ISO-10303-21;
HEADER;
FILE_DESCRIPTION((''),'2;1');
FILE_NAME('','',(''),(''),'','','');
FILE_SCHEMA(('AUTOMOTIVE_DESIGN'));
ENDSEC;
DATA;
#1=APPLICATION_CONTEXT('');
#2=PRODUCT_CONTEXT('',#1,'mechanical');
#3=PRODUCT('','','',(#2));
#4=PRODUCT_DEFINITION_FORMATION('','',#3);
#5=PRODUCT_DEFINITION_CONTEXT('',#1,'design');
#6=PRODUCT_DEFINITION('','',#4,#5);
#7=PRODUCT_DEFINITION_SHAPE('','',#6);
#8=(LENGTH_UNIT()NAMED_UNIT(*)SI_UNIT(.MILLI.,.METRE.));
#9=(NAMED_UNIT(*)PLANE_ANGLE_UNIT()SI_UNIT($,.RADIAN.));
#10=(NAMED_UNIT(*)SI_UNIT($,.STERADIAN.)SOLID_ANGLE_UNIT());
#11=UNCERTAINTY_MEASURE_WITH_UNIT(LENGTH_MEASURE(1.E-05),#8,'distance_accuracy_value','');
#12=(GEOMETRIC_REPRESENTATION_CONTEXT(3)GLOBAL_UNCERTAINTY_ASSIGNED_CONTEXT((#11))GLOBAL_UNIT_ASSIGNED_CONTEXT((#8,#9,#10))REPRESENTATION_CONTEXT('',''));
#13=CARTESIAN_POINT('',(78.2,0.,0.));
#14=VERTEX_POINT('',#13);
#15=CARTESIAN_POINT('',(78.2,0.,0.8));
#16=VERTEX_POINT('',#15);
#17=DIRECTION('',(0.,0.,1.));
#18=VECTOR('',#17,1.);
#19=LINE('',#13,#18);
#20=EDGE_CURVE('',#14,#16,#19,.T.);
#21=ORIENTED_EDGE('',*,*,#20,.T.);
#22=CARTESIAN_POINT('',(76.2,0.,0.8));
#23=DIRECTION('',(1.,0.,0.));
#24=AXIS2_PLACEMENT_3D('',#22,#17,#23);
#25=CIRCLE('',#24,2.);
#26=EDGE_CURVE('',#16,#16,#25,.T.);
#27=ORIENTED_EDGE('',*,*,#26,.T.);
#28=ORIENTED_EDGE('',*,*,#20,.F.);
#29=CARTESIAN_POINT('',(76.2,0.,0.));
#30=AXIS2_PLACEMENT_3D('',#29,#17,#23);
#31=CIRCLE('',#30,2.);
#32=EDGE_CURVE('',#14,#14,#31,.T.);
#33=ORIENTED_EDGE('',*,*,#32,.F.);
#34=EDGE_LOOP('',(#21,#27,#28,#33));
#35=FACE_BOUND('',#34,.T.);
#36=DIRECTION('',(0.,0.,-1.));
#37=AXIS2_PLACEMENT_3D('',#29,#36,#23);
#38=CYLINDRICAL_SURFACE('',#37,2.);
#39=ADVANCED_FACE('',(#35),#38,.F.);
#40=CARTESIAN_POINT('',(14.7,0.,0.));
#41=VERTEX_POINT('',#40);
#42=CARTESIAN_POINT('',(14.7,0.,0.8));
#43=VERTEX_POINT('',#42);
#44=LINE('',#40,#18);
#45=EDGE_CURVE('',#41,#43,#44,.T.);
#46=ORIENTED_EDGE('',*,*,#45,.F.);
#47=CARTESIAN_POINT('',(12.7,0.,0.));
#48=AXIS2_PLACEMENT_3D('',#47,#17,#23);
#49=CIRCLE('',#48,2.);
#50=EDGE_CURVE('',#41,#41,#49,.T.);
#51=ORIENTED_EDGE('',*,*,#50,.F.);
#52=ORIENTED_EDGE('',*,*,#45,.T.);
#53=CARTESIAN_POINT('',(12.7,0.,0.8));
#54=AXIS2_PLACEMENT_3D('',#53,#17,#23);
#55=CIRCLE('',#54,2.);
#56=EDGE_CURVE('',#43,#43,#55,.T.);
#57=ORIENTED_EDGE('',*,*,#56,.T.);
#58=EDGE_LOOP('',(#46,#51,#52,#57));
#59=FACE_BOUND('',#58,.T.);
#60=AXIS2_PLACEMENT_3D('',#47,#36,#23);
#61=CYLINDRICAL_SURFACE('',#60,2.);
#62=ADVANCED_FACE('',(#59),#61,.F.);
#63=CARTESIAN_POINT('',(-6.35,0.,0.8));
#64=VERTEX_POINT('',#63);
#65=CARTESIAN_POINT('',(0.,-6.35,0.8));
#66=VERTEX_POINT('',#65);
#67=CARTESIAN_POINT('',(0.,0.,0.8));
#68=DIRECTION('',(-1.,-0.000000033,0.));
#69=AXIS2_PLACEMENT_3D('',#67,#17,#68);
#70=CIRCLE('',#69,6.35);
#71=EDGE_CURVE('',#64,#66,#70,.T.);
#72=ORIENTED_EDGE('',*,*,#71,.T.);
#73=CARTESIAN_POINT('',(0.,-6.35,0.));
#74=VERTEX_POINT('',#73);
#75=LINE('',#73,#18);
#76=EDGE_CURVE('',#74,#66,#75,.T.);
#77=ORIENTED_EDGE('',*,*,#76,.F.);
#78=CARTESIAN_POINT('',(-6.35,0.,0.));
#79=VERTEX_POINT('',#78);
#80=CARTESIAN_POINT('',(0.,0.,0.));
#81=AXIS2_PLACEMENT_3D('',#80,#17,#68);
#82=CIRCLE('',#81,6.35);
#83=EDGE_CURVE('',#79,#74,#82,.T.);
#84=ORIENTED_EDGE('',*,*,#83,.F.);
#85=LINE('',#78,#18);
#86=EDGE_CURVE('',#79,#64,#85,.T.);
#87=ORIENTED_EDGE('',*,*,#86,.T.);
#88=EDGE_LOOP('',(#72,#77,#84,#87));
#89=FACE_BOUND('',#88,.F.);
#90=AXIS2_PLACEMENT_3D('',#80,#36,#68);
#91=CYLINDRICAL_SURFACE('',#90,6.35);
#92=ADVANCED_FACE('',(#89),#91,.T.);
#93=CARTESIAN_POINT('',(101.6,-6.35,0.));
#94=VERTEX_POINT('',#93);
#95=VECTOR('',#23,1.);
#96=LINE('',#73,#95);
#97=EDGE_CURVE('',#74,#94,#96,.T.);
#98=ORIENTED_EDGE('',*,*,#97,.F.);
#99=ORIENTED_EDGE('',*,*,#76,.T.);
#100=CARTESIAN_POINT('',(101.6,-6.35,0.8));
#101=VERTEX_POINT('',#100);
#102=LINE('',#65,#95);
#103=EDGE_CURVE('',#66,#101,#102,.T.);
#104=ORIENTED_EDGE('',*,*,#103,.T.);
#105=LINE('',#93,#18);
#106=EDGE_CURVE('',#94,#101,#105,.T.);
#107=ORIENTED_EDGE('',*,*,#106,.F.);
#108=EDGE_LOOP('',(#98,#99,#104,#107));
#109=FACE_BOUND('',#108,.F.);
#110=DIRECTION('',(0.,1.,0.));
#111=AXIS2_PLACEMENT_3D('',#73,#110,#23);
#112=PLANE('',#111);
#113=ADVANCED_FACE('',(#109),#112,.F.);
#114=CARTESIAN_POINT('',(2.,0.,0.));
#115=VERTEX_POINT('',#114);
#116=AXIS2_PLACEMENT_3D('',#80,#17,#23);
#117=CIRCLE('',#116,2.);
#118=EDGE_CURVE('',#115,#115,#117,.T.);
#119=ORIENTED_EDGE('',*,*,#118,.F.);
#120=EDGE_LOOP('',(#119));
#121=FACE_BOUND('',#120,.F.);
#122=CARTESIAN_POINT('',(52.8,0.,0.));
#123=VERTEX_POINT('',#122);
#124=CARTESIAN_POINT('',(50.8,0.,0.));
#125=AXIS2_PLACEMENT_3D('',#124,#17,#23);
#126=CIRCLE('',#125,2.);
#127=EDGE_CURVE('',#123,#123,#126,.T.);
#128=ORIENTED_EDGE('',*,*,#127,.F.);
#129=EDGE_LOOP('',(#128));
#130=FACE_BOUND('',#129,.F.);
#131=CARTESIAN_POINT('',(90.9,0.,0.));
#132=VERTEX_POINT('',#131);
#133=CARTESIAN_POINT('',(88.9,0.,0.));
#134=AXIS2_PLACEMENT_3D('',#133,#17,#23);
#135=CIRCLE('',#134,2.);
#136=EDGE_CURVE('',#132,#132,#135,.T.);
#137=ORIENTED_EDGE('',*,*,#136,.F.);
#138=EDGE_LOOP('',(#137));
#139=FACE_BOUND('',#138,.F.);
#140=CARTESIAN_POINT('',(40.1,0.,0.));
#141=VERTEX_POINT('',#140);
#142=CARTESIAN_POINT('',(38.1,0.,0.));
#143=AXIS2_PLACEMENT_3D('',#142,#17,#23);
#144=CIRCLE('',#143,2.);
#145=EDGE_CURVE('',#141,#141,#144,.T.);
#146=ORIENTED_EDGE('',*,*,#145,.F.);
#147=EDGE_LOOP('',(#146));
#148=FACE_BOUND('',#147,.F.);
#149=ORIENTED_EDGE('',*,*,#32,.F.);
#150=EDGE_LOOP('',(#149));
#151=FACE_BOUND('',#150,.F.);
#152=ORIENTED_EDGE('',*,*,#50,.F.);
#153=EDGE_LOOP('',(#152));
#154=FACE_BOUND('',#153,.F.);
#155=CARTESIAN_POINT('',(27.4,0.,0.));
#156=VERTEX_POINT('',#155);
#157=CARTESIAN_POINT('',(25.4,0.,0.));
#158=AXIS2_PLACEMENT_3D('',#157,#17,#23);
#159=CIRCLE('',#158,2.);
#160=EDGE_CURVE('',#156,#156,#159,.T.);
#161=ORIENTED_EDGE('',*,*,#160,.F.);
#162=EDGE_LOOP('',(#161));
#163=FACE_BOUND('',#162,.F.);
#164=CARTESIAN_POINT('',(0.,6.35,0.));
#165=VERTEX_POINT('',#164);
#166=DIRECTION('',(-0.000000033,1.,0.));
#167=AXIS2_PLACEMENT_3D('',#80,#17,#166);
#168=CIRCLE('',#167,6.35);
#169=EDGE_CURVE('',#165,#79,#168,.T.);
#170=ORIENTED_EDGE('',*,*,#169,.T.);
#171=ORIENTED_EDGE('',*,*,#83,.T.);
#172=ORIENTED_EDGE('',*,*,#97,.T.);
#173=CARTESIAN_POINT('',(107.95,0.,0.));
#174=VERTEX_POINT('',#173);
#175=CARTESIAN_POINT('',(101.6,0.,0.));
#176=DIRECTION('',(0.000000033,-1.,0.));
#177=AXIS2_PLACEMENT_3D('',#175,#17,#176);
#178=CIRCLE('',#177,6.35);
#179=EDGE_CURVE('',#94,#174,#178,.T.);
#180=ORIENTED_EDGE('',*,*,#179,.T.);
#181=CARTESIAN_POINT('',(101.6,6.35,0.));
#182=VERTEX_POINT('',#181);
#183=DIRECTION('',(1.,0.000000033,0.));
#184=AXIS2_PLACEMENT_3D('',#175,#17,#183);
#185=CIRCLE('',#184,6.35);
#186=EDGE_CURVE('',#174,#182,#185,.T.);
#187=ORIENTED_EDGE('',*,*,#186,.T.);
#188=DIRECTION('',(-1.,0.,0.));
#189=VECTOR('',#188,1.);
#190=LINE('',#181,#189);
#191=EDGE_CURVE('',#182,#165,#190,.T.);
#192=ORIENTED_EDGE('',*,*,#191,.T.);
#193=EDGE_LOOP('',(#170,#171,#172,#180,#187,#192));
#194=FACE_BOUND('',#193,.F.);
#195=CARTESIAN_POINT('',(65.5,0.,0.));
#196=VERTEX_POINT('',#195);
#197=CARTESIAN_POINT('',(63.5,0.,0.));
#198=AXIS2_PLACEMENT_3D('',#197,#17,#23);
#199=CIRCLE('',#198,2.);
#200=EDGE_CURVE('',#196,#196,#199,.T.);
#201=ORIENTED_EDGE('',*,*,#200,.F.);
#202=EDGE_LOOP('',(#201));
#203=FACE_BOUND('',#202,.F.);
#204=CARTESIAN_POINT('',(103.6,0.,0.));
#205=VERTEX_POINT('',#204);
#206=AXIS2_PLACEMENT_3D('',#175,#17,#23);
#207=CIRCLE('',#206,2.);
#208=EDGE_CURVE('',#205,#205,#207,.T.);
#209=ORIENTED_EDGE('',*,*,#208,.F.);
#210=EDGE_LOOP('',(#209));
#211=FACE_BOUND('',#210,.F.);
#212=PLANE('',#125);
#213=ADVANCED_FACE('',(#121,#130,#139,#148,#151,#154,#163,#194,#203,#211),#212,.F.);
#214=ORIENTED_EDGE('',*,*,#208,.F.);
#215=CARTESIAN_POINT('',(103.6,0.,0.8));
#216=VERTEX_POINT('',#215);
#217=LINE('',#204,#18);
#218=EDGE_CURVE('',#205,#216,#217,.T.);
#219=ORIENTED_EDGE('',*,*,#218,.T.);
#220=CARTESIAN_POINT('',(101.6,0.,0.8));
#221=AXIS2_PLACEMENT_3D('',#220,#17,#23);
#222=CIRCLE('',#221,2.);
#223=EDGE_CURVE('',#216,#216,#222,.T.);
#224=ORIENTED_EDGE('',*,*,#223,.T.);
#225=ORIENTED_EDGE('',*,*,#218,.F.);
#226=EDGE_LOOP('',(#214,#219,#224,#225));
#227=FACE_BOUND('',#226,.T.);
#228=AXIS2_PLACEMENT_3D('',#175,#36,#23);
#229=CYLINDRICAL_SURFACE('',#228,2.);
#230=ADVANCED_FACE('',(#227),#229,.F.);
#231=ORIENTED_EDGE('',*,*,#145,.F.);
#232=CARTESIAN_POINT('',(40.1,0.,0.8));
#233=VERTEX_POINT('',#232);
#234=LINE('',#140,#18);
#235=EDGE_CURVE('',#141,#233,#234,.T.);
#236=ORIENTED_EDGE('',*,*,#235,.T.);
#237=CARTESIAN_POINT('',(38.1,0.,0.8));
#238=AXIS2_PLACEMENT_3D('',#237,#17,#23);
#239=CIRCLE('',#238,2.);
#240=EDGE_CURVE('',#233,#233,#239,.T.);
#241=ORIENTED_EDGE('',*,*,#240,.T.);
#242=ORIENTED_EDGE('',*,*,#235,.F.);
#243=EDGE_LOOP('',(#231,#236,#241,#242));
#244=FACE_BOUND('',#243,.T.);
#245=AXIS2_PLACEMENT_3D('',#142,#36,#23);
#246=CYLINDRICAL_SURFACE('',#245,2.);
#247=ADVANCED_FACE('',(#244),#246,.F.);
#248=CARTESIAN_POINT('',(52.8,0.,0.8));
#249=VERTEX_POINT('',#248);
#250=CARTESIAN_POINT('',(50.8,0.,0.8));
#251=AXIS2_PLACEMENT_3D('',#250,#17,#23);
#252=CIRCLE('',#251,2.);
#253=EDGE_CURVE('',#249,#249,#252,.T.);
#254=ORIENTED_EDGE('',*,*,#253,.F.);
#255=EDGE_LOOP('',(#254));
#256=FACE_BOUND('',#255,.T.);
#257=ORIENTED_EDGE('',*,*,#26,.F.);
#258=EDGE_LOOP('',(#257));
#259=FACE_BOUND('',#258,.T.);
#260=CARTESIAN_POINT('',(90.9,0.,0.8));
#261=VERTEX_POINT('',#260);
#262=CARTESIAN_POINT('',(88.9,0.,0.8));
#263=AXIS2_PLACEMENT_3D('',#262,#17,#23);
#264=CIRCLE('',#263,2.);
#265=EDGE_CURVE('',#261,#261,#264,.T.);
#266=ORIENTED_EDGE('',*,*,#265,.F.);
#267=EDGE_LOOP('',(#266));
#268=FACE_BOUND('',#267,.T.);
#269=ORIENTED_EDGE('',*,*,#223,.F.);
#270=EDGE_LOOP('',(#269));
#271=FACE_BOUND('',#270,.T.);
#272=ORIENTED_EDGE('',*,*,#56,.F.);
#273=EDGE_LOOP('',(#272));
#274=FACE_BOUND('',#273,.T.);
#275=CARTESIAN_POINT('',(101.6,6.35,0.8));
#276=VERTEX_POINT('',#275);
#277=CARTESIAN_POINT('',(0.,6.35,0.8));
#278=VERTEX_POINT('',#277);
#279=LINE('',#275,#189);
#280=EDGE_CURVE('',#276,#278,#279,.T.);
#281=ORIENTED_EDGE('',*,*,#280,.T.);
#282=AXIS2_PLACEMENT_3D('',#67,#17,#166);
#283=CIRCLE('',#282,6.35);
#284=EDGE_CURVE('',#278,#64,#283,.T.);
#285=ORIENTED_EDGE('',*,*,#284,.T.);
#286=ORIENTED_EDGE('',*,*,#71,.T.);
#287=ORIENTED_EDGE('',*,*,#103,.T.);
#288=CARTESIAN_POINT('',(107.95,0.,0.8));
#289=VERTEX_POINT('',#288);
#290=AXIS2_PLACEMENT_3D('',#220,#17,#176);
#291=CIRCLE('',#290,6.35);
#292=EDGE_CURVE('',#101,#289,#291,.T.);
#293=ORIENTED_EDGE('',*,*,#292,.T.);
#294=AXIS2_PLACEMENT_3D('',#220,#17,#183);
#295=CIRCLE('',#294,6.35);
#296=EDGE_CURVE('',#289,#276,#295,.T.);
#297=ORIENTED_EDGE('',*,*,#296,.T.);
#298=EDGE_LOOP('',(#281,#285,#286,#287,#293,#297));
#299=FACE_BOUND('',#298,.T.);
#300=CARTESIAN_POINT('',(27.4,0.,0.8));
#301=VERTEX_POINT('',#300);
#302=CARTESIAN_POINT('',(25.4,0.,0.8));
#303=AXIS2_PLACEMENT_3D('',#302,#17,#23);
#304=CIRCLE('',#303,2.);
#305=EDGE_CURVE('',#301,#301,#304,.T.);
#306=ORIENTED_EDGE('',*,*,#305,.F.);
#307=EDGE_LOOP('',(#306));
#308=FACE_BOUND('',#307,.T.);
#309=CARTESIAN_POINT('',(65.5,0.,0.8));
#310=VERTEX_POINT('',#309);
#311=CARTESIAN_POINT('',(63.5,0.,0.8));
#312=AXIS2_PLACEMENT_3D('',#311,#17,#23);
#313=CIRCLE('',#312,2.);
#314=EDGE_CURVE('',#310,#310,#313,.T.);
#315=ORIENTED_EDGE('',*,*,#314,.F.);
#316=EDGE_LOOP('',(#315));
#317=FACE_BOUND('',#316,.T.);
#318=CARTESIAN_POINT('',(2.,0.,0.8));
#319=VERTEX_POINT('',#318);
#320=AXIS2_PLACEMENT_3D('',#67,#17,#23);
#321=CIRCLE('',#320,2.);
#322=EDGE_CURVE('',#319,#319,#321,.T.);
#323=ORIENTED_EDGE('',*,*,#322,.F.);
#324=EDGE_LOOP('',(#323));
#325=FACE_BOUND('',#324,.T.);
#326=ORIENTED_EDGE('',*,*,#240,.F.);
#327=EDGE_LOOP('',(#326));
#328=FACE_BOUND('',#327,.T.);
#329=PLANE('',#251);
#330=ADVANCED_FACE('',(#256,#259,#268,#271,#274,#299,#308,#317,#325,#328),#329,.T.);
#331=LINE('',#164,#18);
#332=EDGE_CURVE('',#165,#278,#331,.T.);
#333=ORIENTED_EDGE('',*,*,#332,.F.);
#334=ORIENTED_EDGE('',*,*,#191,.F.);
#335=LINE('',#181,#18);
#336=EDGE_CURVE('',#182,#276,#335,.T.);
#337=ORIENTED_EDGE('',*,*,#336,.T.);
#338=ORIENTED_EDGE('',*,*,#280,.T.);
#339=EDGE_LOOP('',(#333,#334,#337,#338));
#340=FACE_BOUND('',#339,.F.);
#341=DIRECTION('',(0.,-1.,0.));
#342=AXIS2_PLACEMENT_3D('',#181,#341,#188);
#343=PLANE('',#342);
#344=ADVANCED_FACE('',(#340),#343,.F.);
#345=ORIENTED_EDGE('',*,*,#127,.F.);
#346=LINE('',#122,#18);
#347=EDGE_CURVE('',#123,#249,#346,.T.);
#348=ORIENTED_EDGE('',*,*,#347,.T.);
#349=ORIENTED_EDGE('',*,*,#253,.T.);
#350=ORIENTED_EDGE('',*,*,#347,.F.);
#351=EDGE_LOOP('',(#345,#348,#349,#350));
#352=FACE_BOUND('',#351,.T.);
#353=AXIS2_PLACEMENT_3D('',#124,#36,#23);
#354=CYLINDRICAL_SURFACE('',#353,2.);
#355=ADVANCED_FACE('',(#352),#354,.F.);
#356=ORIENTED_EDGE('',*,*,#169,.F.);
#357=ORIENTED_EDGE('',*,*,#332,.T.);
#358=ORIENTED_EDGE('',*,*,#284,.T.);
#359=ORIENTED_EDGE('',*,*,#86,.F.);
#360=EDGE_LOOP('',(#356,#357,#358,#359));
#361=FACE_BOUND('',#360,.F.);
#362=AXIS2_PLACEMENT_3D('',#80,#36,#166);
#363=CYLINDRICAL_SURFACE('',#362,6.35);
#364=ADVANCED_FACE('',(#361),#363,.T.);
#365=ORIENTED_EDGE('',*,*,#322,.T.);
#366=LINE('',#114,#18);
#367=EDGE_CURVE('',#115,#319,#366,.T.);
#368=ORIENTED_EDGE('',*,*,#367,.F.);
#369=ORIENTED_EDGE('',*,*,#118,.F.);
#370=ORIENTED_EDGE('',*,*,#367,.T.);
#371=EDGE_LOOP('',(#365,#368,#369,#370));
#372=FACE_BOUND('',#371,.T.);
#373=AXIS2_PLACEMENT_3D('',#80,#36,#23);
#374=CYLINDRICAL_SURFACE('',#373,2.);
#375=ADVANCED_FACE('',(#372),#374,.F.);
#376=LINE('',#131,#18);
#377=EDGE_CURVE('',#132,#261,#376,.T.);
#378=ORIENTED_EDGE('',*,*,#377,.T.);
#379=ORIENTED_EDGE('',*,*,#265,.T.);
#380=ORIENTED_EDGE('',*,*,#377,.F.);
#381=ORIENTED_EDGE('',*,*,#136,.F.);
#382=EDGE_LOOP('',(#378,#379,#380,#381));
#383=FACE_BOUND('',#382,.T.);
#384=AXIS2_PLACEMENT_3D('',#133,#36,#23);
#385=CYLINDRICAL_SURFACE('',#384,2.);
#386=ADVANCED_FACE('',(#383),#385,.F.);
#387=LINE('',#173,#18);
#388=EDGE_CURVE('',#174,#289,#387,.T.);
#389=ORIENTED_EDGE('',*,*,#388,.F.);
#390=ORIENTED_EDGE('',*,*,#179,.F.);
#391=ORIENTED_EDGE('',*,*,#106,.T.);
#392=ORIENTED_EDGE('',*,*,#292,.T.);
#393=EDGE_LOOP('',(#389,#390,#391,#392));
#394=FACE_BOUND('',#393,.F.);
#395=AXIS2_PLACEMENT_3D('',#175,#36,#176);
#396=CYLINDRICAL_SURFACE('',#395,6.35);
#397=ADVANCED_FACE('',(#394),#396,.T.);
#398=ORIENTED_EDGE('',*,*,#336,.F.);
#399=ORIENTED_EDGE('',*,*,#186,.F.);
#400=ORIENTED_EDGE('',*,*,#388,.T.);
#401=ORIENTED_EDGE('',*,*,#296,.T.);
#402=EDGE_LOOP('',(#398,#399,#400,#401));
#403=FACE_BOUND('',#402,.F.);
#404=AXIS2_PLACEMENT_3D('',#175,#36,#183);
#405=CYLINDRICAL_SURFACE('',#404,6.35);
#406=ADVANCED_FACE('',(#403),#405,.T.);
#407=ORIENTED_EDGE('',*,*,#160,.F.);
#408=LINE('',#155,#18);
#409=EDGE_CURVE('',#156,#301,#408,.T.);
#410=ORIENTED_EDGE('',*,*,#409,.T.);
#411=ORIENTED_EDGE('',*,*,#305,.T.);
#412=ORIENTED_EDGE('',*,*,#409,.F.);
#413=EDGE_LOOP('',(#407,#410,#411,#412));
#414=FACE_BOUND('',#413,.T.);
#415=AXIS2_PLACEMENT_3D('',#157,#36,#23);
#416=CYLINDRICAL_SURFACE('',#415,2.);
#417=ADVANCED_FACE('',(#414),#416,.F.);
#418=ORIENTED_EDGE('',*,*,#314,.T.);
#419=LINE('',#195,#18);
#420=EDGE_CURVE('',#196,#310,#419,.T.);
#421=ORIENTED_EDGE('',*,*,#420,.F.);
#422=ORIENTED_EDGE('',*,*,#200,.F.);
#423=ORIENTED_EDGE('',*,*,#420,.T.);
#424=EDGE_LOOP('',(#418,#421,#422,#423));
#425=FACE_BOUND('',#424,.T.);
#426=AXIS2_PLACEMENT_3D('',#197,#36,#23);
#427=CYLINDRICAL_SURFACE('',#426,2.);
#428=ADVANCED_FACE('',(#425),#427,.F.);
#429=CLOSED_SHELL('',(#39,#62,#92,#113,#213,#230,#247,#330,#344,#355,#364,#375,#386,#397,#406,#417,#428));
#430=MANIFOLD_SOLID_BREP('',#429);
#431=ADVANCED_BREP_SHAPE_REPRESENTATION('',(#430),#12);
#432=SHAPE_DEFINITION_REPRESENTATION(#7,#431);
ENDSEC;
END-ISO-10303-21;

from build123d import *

# Parameters (mm, degrees)
F0_R     = 2
F1_DEPTH = 0.8


with BuildPart() as f1:
    # F0 (on Top) → F1 (new body)
    with BuildSketch(Plane.XY):
        with BuildLine():
            Line((0, -6.35), (101.6, -6.35))
            ThreePointArc((101.6, -6.35), (106.090128, -4.490128), (107.95, 0))
            ThreePointArc((107.95, 0), (106.090128, 4.490128), (101.6, 6.35))
            Line((101.6, 6.35), (0, 6.35))
            ThreePointArc((0, 6.35), (-4.490128, 4.490128), (-6.35, 0))
            ThreePointArc((-6.35, 0), (-4.490128, -4.490128), (0, -6.35))
        make_face()
        Circle(F0_R, mode=Mode.SUBTRACT)
        with Locations((12.7, 0)):
            Circle(F0_R, mode=Mode.SUBTRACT)
        with Locations((25.4, 0)):
            Circle(F0_R, mode=Mode.SUBTRACT)
        with Locations((38.1, 0)):
            Circle(F0_R, mode=Mode.SUBTRACT)
        with Locations((50.8, 0)):
            Circle(F0_R, mode=Mode.SUBTRACT)
        with Locations((63.5, 0)):
            Circle(F0_R, mode=Mode.SUBTRACT)
        with Locations((76.2, 0)):
            Circle(F0_R, mode=Mode.SUBTRACT)
        with Locations((88.9, 0)):
            Circle(F0_R, mode=Mode.SUBTRACT)
        with Locations((101.6, 0)):
            Circle(F0_R, mode=Mode.SUBTRACT)
    extrude(amount=F1_DEPTH)


solid = f1.part
